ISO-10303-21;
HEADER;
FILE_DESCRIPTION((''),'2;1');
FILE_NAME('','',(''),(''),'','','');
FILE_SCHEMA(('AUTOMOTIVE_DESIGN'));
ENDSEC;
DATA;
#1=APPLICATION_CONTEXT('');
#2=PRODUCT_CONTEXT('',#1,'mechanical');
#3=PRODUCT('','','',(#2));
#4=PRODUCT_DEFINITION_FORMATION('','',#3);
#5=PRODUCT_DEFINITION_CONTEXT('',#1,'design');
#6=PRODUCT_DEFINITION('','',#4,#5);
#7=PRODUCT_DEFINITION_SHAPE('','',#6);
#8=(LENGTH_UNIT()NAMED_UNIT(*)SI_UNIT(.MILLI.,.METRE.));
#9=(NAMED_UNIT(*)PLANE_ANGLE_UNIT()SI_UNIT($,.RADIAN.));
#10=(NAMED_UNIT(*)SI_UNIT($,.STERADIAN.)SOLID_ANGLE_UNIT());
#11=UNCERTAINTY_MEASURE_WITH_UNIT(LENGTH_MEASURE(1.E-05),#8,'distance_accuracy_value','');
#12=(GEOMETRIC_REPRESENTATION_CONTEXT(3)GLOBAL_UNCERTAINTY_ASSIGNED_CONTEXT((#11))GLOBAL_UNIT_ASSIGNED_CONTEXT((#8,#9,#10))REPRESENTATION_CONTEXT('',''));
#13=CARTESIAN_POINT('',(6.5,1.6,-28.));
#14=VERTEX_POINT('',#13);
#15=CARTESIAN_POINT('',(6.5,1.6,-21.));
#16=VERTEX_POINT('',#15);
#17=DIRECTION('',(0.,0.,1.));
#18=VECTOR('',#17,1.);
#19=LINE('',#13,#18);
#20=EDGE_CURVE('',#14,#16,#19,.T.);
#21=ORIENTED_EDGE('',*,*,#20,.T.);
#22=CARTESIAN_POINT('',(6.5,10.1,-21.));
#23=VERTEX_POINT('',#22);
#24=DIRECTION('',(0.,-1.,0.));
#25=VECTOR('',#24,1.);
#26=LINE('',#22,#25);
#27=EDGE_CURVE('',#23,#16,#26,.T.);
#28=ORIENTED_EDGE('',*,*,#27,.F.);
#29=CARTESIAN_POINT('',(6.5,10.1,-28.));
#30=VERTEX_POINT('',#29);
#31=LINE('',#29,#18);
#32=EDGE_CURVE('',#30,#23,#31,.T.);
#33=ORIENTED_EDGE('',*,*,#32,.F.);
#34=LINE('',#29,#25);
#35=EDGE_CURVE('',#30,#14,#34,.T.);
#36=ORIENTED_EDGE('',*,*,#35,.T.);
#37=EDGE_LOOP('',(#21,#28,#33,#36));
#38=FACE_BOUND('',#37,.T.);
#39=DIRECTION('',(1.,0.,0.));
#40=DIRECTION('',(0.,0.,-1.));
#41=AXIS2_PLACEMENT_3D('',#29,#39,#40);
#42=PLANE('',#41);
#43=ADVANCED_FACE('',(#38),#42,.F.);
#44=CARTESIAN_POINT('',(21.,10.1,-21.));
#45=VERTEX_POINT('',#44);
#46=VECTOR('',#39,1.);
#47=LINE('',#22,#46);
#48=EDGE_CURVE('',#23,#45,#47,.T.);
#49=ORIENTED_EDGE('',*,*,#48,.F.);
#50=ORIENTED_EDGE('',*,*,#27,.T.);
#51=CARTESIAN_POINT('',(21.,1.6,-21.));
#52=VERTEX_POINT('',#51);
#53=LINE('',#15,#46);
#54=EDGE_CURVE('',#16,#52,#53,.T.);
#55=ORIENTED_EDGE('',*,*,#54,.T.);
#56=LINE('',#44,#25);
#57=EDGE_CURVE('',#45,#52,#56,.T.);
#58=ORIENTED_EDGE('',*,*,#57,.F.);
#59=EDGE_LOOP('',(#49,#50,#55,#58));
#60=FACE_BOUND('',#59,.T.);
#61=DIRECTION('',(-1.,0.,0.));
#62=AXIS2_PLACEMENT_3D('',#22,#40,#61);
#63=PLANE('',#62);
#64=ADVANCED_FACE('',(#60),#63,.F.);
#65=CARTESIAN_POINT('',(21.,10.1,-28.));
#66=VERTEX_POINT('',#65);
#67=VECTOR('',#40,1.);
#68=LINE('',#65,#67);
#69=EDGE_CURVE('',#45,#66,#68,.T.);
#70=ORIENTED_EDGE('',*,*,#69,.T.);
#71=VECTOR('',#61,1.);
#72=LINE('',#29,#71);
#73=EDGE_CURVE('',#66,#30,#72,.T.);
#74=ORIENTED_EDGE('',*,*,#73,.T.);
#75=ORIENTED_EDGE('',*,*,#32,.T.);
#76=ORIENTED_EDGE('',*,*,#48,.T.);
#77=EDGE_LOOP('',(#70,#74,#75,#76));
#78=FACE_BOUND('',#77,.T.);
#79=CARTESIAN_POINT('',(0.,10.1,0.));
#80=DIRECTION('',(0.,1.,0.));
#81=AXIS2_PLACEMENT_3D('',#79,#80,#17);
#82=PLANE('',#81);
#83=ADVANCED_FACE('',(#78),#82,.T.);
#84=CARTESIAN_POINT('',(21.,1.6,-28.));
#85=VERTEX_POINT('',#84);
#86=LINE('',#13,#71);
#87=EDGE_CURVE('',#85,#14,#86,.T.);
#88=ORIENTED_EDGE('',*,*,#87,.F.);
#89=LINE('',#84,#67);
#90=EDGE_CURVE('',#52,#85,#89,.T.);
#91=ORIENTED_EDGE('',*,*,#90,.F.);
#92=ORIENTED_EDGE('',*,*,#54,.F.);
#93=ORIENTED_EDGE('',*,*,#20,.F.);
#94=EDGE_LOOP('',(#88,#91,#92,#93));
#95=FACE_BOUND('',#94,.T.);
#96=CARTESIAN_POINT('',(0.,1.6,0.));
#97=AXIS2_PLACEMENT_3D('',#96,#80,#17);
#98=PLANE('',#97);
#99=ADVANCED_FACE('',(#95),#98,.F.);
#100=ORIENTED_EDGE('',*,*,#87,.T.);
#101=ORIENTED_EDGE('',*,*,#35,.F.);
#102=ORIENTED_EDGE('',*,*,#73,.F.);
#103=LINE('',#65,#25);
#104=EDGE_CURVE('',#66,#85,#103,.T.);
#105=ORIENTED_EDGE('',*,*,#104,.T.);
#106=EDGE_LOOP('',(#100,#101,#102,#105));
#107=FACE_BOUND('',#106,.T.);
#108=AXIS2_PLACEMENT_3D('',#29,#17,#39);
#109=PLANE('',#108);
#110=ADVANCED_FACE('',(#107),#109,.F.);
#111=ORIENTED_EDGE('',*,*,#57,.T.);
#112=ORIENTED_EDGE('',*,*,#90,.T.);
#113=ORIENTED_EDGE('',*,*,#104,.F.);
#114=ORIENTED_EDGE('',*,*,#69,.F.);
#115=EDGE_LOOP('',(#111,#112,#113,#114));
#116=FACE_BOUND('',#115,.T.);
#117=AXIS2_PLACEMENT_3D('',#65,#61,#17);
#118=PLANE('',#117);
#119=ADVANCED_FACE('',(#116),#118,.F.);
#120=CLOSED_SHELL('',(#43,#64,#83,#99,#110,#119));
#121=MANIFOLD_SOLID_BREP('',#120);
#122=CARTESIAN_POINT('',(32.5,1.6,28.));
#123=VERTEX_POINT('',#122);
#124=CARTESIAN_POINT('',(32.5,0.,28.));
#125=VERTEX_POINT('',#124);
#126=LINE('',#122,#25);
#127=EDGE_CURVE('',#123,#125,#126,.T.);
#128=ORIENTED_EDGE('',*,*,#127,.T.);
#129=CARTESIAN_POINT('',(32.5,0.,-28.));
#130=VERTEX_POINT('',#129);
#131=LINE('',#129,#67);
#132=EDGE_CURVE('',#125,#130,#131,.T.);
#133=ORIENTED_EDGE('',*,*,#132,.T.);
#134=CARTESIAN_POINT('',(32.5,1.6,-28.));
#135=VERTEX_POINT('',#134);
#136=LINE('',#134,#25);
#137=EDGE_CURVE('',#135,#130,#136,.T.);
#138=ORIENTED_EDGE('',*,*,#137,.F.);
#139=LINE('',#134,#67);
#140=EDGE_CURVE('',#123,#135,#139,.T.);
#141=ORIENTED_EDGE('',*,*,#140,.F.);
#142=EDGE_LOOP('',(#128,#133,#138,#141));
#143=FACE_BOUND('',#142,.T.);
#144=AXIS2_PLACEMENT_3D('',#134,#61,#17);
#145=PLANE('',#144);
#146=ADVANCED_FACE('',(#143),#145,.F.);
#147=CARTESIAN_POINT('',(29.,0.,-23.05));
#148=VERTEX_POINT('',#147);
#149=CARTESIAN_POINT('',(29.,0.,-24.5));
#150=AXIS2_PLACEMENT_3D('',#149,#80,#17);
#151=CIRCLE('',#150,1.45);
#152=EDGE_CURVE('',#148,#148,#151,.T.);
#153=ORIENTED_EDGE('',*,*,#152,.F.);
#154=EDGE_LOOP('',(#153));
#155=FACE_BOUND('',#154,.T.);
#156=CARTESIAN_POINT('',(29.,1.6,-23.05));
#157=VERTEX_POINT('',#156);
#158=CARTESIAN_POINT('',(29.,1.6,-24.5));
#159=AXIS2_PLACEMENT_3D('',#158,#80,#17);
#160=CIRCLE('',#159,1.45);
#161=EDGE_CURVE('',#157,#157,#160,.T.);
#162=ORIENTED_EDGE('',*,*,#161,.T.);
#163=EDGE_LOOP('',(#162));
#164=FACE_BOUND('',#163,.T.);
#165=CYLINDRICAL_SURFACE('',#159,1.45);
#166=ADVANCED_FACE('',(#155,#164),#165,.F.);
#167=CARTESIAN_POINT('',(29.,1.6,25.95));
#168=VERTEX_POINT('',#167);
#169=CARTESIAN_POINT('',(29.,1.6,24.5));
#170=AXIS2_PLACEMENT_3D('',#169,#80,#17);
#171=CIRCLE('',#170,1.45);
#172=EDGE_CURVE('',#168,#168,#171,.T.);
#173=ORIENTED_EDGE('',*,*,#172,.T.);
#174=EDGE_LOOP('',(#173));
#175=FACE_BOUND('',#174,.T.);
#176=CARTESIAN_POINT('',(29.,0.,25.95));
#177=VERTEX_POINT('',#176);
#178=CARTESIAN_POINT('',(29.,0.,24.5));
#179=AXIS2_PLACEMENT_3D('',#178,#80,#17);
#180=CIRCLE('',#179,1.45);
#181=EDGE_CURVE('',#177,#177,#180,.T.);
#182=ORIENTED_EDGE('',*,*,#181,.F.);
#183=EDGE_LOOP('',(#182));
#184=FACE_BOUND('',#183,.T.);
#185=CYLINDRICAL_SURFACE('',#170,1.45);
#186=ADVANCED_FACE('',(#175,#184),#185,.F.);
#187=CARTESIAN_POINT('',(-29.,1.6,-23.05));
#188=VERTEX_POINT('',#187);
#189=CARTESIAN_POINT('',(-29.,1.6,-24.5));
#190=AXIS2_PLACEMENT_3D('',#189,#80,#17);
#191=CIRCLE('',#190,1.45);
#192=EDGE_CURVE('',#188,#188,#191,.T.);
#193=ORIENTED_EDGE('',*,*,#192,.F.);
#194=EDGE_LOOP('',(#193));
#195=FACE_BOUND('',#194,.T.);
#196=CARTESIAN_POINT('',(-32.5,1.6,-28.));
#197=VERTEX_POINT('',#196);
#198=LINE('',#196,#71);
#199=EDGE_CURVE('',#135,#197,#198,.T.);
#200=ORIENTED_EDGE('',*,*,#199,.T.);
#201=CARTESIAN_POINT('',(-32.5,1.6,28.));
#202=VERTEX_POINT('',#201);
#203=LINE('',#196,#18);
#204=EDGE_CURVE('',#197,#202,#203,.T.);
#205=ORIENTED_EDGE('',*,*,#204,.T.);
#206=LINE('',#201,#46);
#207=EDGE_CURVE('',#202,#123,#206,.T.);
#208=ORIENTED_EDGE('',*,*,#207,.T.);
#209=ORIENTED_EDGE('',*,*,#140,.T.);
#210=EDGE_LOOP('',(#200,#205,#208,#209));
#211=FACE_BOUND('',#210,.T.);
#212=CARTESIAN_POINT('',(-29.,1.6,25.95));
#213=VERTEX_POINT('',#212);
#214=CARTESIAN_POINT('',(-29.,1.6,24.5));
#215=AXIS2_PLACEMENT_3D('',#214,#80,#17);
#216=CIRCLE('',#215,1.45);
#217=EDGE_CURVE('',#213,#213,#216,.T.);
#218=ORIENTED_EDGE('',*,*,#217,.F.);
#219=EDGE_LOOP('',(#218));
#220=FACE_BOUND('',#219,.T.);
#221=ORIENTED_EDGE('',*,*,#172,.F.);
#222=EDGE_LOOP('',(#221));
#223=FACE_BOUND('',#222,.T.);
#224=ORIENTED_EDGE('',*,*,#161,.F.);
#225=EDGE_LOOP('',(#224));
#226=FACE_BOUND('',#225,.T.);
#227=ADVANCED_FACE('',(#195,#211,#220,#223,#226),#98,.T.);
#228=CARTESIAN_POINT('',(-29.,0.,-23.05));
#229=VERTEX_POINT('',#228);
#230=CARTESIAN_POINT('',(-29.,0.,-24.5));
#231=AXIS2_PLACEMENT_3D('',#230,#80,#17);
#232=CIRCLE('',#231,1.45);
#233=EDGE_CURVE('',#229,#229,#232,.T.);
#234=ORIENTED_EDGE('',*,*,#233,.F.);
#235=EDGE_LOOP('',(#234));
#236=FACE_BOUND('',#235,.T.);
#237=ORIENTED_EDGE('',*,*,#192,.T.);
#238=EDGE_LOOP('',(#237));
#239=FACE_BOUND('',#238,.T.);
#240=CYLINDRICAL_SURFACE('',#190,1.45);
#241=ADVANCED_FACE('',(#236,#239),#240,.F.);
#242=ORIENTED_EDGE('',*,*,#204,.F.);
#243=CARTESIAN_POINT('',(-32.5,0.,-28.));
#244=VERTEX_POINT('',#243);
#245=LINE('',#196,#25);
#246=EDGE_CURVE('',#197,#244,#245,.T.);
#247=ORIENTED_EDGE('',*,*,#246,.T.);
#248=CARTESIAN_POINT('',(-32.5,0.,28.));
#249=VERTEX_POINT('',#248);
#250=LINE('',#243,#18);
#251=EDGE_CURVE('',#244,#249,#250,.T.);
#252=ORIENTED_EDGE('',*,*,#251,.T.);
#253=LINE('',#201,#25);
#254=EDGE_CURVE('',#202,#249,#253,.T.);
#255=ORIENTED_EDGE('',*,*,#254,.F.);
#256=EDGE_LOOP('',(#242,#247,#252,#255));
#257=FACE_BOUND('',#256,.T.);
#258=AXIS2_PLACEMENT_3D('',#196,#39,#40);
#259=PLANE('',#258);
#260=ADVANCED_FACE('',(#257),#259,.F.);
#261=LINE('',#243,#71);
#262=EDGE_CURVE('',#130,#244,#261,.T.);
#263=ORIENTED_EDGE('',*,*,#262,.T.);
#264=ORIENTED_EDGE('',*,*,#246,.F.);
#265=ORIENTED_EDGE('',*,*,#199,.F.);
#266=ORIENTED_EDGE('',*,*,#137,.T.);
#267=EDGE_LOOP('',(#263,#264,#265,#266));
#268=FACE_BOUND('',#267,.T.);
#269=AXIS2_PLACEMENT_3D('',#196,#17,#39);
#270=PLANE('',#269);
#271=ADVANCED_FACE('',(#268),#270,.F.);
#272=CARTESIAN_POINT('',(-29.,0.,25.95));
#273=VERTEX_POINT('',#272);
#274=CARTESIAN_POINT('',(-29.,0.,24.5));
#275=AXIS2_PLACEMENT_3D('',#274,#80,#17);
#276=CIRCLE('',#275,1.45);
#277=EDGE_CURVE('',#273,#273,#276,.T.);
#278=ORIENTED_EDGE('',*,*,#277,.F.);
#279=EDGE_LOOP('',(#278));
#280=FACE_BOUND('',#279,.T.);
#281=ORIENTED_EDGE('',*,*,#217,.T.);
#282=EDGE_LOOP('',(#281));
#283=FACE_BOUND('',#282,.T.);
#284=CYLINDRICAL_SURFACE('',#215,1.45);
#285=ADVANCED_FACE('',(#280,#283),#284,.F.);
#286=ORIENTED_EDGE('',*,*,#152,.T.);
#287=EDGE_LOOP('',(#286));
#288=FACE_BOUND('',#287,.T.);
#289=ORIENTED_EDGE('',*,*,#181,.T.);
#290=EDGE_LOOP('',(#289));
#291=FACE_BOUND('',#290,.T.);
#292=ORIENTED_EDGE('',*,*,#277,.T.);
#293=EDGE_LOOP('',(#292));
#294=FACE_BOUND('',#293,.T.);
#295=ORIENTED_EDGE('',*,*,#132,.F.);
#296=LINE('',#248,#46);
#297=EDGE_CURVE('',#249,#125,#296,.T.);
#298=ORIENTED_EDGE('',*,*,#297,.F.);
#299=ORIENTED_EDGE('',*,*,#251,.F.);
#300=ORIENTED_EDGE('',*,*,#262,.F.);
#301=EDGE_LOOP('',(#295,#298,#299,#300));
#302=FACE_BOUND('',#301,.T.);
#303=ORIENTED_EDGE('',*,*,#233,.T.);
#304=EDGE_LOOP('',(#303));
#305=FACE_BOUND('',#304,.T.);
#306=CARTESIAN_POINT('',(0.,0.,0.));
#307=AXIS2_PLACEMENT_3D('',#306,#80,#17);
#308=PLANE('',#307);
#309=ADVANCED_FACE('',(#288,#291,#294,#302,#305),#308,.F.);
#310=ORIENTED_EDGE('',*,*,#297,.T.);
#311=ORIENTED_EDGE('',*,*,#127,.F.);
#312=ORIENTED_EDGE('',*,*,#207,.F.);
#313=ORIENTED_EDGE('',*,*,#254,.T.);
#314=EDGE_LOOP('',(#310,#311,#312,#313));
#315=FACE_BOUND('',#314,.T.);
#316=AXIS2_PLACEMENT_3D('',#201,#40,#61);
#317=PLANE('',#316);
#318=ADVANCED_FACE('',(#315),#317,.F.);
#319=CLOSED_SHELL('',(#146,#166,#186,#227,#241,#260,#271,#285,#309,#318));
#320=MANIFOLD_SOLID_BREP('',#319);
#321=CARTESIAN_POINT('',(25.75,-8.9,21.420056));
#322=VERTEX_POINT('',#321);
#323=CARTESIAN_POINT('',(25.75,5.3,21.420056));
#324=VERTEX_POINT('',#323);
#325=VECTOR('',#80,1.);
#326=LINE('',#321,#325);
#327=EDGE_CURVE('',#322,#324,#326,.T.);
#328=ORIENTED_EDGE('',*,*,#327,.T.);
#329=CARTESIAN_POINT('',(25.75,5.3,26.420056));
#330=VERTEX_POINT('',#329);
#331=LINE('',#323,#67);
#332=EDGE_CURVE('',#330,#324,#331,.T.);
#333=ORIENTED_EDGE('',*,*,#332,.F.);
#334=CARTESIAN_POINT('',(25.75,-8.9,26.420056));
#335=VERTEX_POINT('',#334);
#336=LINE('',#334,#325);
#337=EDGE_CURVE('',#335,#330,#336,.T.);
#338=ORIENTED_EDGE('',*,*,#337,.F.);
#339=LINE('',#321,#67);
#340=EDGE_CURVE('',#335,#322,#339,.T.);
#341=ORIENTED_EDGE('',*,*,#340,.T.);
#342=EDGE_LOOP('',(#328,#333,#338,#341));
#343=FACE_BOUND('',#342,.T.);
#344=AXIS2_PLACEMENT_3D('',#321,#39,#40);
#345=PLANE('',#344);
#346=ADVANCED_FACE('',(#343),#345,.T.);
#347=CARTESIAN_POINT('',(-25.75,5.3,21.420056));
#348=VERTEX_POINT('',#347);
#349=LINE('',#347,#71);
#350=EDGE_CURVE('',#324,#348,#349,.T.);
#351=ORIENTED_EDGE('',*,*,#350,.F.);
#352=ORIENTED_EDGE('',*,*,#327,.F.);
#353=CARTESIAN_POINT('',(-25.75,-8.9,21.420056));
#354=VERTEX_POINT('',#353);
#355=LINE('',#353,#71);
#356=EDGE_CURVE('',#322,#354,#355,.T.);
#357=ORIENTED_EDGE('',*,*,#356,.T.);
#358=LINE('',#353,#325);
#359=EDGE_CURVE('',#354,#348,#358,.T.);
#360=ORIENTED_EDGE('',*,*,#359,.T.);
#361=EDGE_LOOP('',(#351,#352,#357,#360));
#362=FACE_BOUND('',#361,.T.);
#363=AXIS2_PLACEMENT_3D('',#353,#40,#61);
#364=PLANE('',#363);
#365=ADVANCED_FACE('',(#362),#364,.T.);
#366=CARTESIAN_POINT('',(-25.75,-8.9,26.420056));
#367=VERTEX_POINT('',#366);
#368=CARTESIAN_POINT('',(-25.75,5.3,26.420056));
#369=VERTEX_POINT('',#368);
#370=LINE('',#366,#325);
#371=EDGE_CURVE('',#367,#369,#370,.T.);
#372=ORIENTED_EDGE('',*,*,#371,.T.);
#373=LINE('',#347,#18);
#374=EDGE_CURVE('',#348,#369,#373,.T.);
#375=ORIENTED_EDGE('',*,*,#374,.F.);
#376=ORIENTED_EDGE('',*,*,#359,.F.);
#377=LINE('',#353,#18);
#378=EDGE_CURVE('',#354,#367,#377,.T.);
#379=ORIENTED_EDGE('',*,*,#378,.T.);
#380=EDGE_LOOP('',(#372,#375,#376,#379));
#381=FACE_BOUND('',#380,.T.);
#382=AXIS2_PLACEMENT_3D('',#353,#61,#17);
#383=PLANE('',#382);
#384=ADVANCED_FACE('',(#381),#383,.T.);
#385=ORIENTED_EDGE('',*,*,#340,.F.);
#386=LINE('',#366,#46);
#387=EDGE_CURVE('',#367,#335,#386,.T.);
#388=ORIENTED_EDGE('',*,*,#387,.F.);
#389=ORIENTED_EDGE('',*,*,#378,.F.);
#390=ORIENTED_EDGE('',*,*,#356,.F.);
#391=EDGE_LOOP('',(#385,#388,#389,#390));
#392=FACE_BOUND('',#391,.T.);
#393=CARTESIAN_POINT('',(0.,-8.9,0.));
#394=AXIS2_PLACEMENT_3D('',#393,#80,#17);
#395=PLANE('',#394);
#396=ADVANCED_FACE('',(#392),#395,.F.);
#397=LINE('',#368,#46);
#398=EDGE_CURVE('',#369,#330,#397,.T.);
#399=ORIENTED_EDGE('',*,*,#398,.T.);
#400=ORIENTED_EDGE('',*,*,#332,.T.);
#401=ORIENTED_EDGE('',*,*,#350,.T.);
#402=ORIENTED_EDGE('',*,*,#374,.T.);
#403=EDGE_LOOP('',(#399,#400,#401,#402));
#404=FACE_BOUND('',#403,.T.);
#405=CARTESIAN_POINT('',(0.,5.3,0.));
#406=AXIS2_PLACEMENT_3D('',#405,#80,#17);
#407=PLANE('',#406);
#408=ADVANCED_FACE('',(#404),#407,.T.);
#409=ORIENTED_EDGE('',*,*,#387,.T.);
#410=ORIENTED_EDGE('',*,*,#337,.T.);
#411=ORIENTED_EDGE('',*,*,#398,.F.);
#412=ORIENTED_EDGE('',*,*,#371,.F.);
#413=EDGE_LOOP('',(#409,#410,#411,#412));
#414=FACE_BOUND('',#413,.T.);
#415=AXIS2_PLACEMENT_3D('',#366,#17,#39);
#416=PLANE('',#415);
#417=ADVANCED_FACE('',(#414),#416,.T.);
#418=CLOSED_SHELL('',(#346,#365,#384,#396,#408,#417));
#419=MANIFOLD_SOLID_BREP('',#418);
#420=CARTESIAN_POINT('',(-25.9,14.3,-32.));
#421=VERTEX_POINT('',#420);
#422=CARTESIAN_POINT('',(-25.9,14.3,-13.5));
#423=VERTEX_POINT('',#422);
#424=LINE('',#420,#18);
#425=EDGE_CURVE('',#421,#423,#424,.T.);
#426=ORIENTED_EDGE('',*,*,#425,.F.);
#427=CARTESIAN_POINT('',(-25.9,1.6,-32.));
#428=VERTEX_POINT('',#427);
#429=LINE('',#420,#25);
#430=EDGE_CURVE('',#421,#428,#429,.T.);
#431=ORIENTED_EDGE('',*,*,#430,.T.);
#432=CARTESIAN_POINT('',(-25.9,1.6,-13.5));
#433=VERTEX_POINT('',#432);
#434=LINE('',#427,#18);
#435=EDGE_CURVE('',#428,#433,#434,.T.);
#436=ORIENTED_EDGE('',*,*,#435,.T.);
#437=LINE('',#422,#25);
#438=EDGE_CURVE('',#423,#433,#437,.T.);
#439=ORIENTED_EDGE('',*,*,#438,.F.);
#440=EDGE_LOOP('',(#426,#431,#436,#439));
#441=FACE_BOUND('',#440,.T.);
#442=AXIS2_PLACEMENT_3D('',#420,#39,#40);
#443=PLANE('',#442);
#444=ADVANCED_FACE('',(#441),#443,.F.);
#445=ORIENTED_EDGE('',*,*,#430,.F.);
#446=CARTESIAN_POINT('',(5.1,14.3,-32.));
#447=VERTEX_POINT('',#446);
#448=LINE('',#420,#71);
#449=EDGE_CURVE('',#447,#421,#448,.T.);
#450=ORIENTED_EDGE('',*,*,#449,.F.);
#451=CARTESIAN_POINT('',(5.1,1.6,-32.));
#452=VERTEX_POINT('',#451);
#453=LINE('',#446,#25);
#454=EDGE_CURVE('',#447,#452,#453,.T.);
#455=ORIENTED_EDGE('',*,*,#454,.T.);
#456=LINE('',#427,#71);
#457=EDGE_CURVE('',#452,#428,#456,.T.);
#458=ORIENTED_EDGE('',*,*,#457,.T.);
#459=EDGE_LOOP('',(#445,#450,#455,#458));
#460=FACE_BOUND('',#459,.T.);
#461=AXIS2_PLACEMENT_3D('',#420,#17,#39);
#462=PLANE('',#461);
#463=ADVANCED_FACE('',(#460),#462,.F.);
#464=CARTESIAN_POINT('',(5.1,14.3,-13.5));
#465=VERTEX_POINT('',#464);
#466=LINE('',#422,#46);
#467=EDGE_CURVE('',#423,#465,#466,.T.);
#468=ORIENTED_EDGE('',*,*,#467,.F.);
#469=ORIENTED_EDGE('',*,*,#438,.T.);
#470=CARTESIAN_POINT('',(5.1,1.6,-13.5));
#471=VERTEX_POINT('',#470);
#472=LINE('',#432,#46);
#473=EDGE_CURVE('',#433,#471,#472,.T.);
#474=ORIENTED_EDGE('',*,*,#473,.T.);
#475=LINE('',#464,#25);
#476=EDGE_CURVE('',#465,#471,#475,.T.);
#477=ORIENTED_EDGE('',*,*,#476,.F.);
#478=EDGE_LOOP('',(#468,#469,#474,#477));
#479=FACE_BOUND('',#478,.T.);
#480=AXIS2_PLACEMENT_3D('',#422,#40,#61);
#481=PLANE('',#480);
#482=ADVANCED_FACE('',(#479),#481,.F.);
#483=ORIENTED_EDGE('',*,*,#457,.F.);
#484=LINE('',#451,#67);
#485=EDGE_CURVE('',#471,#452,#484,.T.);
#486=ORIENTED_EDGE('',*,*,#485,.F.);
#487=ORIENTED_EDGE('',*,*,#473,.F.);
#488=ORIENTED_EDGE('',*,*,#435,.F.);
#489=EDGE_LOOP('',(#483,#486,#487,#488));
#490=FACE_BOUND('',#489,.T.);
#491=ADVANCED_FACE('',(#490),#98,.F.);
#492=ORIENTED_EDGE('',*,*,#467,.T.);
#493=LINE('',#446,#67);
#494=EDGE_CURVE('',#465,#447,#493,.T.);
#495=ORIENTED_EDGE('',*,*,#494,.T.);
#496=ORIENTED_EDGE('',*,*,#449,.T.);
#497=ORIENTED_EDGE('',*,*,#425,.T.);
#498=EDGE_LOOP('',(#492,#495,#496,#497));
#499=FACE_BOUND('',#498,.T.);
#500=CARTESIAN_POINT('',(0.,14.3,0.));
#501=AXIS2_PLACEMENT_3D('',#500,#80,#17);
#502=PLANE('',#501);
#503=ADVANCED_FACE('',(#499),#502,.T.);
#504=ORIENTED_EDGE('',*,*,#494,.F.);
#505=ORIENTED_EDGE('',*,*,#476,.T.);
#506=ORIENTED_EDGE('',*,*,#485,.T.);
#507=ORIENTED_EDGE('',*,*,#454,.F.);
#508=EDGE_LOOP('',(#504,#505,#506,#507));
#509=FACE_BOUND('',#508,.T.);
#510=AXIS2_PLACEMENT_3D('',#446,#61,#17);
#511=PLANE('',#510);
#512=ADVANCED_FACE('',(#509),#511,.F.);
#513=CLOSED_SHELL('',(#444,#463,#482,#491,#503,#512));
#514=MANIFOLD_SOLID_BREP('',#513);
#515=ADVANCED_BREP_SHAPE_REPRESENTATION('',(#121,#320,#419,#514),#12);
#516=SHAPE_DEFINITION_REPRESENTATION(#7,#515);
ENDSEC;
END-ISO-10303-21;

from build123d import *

# Parameters (mm, degrees)
ESQUISSE1_W             = 65
ESQUISSE1_H             = 56
BOSS_EXTRU_1_DEPTH      = 1.6
D_GAGEMENT_M2_51_D      = 2.9
ESQUISSE4_W             = 31
ESQUISSE4_H             = 18.5
BOSS_EXTRU_2_DEPTH      = 12.7
ESQUISSE5_W             = 14.5
ESQUISSE5_H             = 7
BOSS_EXTRU_3_DEPTH      = 8.5
BOSS_EXTRU_4_DEPTH      = 3.7
BOSS_EXTRU_4_DEPTH_BACK = 10.5
ESQUISSE6_W             = 51.5
ESQUISSE6_H             = 5


with BuildPart() as part:
    # Esquisse1 → Boss.-Extru.1 (new body)
    with BuildSketch(Plane(origin=(0, 0, 0), x_dir=(1, 0, 0), z_dir=(0, 1, 0))):
        Rectangle(ESQUISSE1_W, ESQUISSE1_H)
    extrude(amount=BOSS_EXTRU_1_DEPTH)

    # Dégagement M2.51 (through all)
    with Locations(Plane(origin=(0, 1.6, 0), x_dir=(1, 0, 0), z_dir=(0, 1, 0))):
        with Locations((-29, 24.5), (29, 24.5), (29, -24.5), (-29, -24.5)):
            Hole(D_GAGEMENT_M2_51_D / 2)


with BuildPart() as body_2:
    # Esquisse4 → Boss.-Extru.2 (new body)
    with BuildSketch(Plane(origin=(0, 1.6, 0), x_dir=(1, 0, 0), z_dir=(0, 1, 0))):
        with Locations((-10.4, 22.75)):
            Rectangle(ESQUISSE4_W, ESQUISSE4_H)
    extrude(amount=BOSS_EXTRU_2_DEPTH)


with BuildPart() as body_3:
    # Esquisse5 → Boss.-Extru.3 (new body)
    with BuildSketch(Plane(origin=(0, 1.6, 0), x_dir=(1, 0, 0), z_dir=(0, 1, 0))):
        with Locations((13.75, 24.5)):
            Rectangle(ESQUISSE5_W, ESQUISSE5_H)
    extrude(amount=BOSS_EXTRU_3_DEPTH)


with BuildPart() as body_4:
    # Esquisse6 → Boss.-Extru.4 (new, two sides: drawn at the far end of the back side and taken through both)
    with BuildSketch(Plane(origin=(0, 1.6, 0), x_dir=(1, 0, 0), z_dir=(0, 1, 0)).offset(-BOSS_EXTRU_4_DEPTH_BACK)):
        with Locations((0, -23.920055796)):
            Rectangle(ESQUISSE6_W, ESQUISSE6_H)
    extrude(amount=BOSS_EXTRU_4_DEPTH + BOSS_EXTRU_4_DEPTH_BACK)


solid = Compound([part.part, body_2.part, body_3.part, body_4.part])
